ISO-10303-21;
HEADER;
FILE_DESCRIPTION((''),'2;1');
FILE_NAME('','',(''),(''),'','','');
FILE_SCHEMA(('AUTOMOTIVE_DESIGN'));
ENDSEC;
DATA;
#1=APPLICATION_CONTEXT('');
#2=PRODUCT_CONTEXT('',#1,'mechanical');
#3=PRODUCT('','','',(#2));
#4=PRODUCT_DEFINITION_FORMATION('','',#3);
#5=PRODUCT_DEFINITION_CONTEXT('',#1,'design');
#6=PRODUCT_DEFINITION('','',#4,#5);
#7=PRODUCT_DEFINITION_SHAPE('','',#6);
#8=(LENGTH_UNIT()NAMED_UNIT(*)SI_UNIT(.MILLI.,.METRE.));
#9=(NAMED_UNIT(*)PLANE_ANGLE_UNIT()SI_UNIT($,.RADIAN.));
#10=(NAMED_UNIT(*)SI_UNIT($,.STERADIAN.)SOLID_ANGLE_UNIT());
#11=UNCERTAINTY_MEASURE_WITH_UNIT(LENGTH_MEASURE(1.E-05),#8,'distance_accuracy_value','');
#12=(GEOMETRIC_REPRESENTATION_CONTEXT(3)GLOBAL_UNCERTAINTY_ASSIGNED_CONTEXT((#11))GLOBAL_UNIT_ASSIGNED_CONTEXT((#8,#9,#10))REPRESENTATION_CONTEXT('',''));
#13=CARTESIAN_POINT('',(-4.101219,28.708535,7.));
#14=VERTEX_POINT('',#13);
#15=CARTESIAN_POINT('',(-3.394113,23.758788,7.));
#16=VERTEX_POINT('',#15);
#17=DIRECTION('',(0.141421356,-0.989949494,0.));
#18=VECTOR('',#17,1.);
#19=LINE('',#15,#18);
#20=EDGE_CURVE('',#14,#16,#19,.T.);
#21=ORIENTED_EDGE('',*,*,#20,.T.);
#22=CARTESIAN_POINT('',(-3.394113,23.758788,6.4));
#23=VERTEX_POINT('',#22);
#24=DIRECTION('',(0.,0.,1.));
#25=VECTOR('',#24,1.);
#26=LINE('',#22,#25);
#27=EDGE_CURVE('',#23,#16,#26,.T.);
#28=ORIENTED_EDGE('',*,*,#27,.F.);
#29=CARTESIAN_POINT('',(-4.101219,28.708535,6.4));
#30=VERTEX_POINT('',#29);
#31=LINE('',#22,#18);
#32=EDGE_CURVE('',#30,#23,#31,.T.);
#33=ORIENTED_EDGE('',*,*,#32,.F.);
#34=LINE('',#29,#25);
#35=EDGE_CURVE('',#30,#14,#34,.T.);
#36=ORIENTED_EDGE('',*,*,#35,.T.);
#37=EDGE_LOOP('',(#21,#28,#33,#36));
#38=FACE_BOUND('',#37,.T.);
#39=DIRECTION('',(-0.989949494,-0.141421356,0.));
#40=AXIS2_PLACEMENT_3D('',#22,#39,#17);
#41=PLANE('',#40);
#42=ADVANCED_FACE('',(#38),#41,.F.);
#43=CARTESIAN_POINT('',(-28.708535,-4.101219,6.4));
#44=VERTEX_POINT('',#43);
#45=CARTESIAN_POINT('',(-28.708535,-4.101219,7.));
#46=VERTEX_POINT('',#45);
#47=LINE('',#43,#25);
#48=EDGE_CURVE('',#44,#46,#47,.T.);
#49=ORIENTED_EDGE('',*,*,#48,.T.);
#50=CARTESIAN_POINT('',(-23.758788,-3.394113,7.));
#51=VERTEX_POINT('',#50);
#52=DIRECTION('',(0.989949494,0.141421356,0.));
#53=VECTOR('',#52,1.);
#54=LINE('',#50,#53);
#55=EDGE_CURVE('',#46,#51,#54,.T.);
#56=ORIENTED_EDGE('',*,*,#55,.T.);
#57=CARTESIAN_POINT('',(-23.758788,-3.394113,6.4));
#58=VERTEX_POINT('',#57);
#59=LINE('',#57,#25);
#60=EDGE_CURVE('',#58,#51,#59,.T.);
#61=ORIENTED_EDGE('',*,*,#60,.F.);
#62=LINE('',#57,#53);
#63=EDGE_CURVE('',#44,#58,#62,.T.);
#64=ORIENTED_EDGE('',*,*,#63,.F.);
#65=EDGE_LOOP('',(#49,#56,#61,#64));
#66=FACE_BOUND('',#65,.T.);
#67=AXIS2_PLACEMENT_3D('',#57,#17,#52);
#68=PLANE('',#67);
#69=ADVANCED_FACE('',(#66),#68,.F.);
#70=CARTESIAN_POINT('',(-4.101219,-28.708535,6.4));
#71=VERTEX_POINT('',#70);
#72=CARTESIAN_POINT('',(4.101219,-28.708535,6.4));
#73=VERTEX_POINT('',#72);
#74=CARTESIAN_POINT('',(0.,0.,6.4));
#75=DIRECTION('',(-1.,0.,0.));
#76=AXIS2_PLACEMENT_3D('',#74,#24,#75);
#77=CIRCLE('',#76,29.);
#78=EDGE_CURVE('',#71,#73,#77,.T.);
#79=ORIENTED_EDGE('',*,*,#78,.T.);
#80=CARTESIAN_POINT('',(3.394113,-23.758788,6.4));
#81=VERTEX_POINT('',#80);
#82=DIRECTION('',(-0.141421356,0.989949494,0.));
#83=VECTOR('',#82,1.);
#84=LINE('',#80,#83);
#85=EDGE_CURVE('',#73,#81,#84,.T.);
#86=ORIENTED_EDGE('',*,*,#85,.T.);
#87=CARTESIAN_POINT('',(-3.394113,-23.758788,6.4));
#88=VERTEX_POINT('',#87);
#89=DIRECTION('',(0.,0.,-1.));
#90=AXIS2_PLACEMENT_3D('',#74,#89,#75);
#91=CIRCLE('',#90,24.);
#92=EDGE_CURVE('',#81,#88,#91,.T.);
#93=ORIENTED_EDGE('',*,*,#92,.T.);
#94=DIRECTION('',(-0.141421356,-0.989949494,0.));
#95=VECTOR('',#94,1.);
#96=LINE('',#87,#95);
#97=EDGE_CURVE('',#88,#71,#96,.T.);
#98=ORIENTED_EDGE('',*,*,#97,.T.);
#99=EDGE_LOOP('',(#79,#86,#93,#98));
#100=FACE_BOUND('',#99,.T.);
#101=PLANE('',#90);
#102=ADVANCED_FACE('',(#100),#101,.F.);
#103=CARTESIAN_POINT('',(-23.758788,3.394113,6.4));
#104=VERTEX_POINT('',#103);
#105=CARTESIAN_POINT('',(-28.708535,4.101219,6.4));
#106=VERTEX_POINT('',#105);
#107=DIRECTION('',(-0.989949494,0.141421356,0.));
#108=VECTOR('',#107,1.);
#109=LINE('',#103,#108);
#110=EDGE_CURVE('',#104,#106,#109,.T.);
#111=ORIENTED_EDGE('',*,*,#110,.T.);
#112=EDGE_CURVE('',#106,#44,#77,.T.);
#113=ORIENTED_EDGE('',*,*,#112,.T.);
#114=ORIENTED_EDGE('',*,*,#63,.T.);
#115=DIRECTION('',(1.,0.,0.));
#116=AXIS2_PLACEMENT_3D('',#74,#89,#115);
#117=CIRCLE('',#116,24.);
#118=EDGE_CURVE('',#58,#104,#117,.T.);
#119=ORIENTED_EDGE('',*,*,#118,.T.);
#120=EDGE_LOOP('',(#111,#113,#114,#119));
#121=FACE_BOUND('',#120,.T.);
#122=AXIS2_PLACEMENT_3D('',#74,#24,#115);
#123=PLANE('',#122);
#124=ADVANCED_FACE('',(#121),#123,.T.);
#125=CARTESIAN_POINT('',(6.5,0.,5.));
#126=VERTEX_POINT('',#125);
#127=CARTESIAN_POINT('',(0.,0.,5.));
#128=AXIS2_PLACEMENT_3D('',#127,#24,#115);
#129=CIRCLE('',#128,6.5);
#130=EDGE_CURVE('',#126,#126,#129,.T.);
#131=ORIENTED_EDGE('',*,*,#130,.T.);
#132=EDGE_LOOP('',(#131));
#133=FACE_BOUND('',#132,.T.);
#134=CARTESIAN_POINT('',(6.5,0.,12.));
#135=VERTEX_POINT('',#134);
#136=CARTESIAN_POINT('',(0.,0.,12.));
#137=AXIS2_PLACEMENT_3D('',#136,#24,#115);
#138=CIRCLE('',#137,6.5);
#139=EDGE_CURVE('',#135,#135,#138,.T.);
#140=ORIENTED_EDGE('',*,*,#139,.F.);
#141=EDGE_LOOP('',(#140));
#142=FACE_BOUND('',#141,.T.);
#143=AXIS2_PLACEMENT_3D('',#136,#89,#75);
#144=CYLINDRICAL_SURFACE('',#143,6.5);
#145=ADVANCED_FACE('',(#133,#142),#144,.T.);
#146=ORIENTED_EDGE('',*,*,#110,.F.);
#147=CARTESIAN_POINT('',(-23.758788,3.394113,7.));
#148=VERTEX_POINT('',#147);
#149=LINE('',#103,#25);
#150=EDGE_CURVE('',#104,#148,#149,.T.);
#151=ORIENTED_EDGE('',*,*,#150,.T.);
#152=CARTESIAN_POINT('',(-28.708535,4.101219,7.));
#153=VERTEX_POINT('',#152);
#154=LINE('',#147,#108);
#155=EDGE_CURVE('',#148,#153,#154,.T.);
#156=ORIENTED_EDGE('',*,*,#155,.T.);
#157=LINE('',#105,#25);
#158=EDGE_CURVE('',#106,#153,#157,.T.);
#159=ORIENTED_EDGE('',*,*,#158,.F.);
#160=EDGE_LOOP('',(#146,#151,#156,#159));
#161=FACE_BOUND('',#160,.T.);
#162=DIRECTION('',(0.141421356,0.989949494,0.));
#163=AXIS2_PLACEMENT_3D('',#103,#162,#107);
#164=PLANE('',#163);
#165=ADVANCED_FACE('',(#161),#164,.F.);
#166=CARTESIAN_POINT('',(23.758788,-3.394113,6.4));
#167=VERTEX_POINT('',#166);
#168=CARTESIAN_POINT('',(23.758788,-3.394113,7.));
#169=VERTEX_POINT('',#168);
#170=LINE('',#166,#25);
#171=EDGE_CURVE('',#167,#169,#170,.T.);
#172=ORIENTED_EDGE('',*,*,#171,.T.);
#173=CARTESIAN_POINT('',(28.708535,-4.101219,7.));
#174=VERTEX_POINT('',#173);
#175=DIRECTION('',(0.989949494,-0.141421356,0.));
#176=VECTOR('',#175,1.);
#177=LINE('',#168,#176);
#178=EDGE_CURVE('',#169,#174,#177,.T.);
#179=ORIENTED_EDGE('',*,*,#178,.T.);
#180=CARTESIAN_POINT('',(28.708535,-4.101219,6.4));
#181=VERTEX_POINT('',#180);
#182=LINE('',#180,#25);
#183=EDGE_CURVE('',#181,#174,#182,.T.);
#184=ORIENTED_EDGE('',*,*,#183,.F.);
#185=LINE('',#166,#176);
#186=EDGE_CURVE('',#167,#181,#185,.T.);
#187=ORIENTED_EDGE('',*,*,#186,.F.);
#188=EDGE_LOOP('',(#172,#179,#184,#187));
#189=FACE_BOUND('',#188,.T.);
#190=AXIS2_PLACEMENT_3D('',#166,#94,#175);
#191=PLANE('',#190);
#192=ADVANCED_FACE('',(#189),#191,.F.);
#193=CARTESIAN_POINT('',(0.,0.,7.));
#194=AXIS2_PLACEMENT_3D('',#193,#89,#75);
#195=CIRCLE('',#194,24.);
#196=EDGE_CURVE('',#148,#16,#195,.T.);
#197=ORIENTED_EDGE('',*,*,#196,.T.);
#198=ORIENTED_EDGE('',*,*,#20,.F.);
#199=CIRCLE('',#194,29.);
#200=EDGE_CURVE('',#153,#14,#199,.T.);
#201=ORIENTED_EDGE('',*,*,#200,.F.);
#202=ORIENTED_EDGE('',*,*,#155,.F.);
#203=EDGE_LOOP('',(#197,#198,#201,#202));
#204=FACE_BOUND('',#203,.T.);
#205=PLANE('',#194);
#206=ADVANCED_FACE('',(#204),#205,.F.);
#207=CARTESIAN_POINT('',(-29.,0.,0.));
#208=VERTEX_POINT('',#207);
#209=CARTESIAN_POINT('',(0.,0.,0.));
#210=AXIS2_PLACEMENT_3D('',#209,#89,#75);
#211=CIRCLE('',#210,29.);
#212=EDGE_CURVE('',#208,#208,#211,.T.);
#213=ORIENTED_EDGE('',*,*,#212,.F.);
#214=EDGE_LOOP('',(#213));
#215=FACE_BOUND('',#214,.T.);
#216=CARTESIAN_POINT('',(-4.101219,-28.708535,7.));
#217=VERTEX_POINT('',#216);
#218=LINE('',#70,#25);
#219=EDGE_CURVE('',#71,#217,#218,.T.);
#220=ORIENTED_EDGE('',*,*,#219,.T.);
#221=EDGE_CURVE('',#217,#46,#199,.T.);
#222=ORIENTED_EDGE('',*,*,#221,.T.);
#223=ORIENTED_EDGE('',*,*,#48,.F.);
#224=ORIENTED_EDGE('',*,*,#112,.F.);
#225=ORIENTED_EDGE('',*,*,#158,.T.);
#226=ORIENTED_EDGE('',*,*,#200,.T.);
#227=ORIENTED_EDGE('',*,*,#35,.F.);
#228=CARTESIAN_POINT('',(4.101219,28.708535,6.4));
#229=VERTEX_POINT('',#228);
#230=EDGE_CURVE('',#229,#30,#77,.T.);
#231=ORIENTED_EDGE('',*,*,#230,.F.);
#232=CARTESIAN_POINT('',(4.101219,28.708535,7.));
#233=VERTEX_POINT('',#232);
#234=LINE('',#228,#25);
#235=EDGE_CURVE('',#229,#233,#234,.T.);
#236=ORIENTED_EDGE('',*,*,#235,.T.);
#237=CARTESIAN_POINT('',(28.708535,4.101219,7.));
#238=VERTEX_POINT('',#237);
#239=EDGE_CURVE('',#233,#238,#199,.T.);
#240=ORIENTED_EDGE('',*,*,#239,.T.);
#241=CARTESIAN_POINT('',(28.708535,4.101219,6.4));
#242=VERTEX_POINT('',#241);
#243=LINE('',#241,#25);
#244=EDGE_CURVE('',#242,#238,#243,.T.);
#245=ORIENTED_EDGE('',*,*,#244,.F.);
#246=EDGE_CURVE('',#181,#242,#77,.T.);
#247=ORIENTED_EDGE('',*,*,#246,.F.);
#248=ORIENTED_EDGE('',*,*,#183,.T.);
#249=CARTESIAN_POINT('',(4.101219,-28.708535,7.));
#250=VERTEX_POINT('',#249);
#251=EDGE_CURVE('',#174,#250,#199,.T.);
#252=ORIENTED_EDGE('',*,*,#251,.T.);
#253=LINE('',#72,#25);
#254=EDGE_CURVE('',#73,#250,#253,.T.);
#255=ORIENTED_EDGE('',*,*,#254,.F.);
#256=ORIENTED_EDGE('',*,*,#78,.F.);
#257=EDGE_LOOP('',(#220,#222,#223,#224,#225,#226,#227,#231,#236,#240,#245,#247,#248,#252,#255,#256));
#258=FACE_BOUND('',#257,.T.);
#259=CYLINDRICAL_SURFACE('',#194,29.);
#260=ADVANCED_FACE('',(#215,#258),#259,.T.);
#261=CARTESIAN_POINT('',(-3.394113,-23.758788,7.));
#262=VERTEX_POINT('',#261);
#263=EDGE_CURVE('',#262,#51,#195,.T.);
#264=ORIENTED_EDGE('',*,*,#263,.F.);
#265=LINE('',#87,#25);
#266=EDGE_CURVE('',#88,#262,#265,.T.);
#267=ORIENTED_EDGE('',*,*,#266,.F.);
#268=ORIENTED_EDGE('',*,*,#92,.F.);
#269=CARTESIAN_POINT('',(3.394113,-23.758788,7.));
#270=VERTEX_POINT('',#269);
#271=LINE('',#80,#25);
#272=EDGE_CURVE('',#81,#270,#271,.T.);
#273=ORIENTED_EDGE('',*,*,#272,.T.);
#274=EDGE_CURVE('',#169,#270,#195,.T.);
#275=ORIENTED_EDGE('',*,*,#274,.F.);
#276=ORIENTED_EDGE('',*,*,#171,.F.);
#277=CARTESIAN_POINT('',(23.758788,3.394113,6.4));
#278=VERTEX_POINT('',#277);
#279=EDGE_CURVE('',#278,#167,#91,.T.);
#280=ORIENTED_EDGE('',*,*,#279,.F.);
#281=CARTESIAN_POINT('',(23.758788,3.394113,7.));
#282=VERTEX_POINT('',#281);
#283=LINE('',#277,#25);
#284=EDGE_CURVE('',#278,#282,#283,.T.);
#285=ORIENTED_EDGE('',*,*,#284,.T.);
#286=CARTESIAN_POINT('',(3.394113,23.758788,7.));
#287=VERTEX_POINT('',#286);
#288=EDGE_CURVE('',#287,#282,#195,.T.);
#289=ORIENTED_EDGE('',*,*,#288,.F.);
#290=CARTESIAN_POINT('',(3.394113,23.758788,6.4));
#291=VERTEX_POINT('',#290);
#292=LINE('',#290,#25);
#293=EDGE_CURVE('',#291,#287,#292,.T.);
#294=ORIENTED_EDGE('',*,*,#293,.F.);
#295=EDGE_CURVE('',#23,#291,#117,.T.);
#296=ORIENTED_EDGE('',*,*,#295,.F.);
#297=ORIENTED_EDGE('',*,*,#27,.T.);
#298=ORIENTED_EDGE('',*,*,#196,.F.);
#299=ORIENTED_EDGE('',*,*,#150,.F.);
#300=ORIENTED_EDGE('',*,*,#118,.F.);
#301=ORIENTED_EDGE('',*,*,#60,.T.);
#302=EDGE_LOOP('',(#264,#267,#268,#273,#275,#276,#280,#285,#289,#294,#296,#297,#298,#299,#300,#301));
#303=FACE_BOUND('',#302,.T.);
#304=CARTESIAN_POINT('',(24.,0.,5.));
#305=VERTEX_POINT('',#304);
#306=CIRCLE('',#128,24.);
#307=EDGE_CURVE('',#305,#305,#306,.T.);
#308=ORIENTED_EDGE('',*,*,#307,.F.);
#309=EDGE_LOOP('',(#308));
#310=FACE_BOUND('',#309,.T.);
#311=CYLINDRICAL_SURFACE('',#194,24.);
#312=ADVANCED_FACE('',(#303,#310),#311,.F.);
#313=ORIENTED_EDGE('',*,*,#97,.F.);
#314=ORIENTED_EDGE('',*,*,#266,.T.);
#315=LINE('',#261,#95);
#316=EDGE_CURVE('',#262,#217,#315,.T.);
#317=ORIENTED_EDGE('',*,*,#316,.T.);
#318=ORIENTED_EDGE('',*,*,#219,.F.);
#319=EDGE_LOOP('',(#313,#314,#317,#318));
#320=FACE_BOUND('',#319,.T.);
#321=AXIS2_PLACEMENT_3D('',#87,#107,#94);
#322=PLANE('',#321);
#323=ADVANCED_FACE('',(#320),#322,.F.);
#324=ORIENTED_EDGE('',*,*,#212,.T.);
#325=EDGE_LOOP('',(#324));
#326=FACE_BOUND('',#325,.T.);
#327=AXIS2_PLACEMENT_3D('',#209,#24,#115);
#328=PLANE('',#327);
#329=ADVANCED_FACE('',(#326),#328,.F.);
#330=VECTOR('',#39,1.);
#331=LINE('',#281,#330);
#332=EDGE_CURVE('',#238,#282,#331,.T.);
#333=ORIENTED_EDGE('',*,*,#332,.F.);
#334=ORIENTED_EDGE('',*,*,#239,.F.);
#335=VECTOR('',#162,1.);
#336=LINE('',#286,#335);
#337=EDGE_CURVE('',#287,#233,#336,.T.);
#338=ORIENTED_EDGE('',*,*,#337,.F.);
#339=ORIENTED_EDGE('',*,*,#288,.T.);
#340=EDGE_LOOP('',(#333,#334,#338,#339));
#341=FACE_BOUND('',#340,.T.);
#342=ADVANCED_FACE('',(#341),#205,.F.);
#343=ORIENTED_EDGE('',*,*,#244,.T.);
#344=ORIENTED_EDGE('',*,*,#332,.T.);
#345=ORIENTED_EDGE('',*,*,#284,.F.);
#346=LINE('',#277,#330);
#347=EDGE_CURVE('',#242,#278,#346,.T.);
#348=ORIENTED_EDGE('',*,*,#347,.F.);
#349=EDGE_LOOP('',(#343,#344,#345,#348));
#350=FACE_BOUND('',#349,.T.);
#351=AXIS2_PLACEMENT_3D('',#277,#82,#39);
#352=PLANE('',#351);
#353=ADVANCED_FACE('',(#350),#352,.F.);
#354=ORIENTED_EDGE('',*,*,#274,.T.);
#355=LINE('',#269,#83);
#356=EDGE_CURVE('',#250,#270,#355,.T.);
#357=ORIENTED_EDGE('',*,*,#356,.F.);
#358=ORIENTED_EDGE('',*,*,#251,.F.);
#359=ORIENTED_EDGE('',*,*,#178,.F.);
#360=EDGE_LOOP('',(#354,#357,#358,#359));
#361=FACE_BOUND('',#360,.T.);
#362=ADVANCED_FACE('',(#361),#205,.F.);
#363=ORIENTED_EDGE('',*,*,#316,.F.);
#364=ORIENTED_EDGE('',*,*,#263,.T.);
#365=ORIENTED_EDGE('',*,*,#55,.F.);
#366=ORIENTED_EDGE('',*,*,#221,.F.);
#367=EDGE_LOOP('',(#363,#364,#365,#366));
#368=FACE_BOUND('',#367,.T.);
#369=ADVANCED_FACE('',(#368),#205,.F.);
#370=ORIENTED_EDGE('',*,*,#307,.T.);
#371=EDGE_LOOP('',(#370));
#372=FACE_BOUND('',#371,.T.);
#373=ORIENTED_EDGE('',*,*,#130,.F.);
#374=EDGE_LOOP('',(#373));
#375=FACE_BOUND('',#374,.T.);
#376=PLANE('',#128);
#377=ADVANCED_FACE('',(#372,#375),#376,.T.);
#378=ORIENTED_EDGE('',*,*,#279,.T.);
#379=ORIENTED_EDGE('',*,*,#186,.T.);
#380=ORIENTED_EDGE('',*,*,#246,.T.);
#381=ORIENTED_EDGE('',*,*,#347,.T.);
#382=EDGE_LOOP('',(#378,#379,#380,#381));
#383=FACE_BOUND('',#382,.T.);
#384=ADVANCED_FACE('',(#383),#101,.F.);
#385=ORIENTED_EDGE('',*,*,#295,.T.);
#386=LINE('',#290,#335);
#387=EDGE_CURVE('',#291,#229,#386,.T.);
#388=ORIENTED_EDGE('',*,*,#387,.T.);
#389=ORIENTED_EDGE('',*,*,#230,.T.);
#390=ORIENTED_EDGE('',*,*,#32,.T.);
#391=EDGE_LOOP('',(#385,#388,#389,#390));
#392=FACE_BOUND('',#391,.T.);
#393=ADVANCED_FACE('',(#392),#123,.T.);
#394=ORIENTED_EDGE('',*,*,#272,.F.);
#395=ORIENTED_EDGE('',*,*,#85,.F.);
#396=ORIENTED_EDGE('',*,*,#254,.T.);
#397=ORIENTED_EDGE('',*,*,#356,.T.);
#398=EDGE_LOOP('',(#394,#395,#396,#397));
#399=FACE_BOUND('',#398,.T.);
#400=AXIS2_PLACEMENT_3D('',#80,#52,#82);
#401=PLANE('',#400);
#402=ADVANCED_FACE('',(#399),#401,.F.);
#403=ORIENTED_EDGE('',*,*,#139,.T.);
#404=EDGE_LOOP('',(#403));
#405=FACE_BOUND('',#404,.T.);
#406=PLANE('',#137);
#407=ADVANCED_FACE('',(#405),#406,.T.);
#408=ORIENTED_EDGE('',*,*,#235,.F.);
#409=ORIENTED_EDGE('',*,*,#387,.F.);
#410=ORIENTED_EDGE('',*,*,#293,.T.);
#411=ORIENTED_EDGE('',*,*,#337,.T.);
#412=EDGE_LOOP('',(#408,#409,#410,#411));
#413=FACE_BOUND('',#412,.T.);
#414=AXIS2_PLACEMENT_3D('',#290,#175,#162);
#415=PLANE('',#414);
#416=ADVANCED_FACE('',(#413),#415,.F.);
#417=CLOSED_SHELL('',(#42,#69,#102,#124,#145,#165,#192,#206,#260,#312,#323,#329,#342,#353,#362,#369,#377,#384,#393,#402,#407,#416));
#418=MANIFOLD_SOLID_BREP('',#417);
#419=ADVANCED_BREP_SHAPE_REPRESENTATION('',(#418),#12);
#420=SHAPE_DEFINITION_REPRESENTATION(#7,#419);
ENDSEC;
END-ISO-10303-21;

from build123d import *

# Parameters (mm, degrees)
SKETCH1_R          = 24
EXTRUDE1_DEPTH     = 5
SKETCH2_R          = 6.5
EXTRUDE2_DEPTH     = 7
SKETCH3_R          = 29
SKETCH3_R_2        = 24
EXTRUDE3_DEPTH     = 7
CUT_EXTRUDE1_DEPTH = 0.6


with BuildPart() as part:
    # Sketch1 → Extrude1 (new body)
    with BuildSketch(Plane.XY):
        Circle(SKETCH1_R)
    extrude(amount=EXTRUDE1_DEPTH)

    # Sketch2 → Extrude2 (add)
    with BuildSketch(Plane.XY.offset(5)):
        Circle(SKETCH2_R)
    extrude(amount=EXTRUDE2_DEPTH)

    # Sketch3 → Extrude3 (add)
    with BuildSketch(Plane(origin=(0, 0, 0), x_dir=(-1, 0, 0), z_dir=(0, 0, -1))):
        Circle(SKETCH3_R)
        Circle(SKETCH3_R_2, mode=Mode.SUBTRACT)
    extrude(amount=-EXTRUDE3_DEPTH)

    # Sketch4 → Cut-Extrude1 (cut)
    with BuildSketch(Plane.XY.offset(7)):
        with BuildLine():
            Line((3.39411255, 23.758787848), (4.101219331, 28.708535316))
            ThreePointArc((4.101219331, 28.708535316), (2.055781583, 28.927042056), (0, 29))
            ThreePointArc((0, 29), (-2.055781583, 28.927042056), (-4.101219331, 28.708535316))
            Line((-4.101219331, 28.708535316), (-3.39411255, 23.758787848))
            ThreePointArc((-3.39411255, 23.758787848), (-1.701336482, 23.939621012), (0, 24))
            ThreePointArc((0, 24), (1.701336482, 23.939621012), (3.39411255, 23.758787848))
        make_face()
        with BuildLine():
            Line((23.758787848, -3.39411255), (28.708535316, -4.101219331))
            ThreePointArc((28.708535316, -4.101219331), (28.927042056, -2.055781583), (29, 0))
            ThreePointArc((29, 0), (28.927042056, 2.055781583), (28.708535316, 4.101219331))
            Line((28.708535316, 4.101219331), (23.758787848, 3.39411255))
            ThreePointArc((23.758787848, 3.39411255), (23.939621012, 1.701336482), (24, 0))
            ThreePointArc((24, 0), (23.939621012, -1.701336482), (23.758787848, -3.39411255))
        make_face()
        with BuildLine():
            Line((3.39411255, -23.758787848), (4.101219331, -28.708535316))
            ThreePointArc((4.101219331, -28.708535316), (2.055781583, -28.927042056), (0, -29))
            ThreePointArc((0, -29), (-2.055781583, -28.927042056), (-4.101219331, -28.708535316))
            Line((-4.101219331, -28.708535316), (-3.39411255, -23.758787848))
            ThreePointArc((-3.39411255, -23.758787848), (-1.701336482, -23.939621012), (0, -24))
            ThreePointArc((0, -24), (1.701336482, -23.939621012), (3.39411255, -23.758787848))
        make_face()
        with BuildLine():
            Line((-23.758787848, -3.39411255), (-28.708535316, -4.101219331))
            ThreePointArc((-28.708535316, -4.101219331), (-28.927042056, -2.055781583), (-29, 0))
            ThreePointArc((-29, 0), (-28.927042056, 2.055781583), (-28.708535316, 4.101219331))
            Line((-28.708535316, 4.101219331), (-23.758787848, 3.39411255))
            ThreePointArc((-23.758787848, 3.39411255), (-23.939621012, 1.701336482), (-24, 0))
            ThreePointArc((-24, 0), (-23.939621012, -1.701336482), (-23.758787848, -3.39411255))
        make_face()
    extrude(amount=-CUT_EXTRUDE1_DEPTH, mode=Mode.SUBTRACT)


solid = part.part
